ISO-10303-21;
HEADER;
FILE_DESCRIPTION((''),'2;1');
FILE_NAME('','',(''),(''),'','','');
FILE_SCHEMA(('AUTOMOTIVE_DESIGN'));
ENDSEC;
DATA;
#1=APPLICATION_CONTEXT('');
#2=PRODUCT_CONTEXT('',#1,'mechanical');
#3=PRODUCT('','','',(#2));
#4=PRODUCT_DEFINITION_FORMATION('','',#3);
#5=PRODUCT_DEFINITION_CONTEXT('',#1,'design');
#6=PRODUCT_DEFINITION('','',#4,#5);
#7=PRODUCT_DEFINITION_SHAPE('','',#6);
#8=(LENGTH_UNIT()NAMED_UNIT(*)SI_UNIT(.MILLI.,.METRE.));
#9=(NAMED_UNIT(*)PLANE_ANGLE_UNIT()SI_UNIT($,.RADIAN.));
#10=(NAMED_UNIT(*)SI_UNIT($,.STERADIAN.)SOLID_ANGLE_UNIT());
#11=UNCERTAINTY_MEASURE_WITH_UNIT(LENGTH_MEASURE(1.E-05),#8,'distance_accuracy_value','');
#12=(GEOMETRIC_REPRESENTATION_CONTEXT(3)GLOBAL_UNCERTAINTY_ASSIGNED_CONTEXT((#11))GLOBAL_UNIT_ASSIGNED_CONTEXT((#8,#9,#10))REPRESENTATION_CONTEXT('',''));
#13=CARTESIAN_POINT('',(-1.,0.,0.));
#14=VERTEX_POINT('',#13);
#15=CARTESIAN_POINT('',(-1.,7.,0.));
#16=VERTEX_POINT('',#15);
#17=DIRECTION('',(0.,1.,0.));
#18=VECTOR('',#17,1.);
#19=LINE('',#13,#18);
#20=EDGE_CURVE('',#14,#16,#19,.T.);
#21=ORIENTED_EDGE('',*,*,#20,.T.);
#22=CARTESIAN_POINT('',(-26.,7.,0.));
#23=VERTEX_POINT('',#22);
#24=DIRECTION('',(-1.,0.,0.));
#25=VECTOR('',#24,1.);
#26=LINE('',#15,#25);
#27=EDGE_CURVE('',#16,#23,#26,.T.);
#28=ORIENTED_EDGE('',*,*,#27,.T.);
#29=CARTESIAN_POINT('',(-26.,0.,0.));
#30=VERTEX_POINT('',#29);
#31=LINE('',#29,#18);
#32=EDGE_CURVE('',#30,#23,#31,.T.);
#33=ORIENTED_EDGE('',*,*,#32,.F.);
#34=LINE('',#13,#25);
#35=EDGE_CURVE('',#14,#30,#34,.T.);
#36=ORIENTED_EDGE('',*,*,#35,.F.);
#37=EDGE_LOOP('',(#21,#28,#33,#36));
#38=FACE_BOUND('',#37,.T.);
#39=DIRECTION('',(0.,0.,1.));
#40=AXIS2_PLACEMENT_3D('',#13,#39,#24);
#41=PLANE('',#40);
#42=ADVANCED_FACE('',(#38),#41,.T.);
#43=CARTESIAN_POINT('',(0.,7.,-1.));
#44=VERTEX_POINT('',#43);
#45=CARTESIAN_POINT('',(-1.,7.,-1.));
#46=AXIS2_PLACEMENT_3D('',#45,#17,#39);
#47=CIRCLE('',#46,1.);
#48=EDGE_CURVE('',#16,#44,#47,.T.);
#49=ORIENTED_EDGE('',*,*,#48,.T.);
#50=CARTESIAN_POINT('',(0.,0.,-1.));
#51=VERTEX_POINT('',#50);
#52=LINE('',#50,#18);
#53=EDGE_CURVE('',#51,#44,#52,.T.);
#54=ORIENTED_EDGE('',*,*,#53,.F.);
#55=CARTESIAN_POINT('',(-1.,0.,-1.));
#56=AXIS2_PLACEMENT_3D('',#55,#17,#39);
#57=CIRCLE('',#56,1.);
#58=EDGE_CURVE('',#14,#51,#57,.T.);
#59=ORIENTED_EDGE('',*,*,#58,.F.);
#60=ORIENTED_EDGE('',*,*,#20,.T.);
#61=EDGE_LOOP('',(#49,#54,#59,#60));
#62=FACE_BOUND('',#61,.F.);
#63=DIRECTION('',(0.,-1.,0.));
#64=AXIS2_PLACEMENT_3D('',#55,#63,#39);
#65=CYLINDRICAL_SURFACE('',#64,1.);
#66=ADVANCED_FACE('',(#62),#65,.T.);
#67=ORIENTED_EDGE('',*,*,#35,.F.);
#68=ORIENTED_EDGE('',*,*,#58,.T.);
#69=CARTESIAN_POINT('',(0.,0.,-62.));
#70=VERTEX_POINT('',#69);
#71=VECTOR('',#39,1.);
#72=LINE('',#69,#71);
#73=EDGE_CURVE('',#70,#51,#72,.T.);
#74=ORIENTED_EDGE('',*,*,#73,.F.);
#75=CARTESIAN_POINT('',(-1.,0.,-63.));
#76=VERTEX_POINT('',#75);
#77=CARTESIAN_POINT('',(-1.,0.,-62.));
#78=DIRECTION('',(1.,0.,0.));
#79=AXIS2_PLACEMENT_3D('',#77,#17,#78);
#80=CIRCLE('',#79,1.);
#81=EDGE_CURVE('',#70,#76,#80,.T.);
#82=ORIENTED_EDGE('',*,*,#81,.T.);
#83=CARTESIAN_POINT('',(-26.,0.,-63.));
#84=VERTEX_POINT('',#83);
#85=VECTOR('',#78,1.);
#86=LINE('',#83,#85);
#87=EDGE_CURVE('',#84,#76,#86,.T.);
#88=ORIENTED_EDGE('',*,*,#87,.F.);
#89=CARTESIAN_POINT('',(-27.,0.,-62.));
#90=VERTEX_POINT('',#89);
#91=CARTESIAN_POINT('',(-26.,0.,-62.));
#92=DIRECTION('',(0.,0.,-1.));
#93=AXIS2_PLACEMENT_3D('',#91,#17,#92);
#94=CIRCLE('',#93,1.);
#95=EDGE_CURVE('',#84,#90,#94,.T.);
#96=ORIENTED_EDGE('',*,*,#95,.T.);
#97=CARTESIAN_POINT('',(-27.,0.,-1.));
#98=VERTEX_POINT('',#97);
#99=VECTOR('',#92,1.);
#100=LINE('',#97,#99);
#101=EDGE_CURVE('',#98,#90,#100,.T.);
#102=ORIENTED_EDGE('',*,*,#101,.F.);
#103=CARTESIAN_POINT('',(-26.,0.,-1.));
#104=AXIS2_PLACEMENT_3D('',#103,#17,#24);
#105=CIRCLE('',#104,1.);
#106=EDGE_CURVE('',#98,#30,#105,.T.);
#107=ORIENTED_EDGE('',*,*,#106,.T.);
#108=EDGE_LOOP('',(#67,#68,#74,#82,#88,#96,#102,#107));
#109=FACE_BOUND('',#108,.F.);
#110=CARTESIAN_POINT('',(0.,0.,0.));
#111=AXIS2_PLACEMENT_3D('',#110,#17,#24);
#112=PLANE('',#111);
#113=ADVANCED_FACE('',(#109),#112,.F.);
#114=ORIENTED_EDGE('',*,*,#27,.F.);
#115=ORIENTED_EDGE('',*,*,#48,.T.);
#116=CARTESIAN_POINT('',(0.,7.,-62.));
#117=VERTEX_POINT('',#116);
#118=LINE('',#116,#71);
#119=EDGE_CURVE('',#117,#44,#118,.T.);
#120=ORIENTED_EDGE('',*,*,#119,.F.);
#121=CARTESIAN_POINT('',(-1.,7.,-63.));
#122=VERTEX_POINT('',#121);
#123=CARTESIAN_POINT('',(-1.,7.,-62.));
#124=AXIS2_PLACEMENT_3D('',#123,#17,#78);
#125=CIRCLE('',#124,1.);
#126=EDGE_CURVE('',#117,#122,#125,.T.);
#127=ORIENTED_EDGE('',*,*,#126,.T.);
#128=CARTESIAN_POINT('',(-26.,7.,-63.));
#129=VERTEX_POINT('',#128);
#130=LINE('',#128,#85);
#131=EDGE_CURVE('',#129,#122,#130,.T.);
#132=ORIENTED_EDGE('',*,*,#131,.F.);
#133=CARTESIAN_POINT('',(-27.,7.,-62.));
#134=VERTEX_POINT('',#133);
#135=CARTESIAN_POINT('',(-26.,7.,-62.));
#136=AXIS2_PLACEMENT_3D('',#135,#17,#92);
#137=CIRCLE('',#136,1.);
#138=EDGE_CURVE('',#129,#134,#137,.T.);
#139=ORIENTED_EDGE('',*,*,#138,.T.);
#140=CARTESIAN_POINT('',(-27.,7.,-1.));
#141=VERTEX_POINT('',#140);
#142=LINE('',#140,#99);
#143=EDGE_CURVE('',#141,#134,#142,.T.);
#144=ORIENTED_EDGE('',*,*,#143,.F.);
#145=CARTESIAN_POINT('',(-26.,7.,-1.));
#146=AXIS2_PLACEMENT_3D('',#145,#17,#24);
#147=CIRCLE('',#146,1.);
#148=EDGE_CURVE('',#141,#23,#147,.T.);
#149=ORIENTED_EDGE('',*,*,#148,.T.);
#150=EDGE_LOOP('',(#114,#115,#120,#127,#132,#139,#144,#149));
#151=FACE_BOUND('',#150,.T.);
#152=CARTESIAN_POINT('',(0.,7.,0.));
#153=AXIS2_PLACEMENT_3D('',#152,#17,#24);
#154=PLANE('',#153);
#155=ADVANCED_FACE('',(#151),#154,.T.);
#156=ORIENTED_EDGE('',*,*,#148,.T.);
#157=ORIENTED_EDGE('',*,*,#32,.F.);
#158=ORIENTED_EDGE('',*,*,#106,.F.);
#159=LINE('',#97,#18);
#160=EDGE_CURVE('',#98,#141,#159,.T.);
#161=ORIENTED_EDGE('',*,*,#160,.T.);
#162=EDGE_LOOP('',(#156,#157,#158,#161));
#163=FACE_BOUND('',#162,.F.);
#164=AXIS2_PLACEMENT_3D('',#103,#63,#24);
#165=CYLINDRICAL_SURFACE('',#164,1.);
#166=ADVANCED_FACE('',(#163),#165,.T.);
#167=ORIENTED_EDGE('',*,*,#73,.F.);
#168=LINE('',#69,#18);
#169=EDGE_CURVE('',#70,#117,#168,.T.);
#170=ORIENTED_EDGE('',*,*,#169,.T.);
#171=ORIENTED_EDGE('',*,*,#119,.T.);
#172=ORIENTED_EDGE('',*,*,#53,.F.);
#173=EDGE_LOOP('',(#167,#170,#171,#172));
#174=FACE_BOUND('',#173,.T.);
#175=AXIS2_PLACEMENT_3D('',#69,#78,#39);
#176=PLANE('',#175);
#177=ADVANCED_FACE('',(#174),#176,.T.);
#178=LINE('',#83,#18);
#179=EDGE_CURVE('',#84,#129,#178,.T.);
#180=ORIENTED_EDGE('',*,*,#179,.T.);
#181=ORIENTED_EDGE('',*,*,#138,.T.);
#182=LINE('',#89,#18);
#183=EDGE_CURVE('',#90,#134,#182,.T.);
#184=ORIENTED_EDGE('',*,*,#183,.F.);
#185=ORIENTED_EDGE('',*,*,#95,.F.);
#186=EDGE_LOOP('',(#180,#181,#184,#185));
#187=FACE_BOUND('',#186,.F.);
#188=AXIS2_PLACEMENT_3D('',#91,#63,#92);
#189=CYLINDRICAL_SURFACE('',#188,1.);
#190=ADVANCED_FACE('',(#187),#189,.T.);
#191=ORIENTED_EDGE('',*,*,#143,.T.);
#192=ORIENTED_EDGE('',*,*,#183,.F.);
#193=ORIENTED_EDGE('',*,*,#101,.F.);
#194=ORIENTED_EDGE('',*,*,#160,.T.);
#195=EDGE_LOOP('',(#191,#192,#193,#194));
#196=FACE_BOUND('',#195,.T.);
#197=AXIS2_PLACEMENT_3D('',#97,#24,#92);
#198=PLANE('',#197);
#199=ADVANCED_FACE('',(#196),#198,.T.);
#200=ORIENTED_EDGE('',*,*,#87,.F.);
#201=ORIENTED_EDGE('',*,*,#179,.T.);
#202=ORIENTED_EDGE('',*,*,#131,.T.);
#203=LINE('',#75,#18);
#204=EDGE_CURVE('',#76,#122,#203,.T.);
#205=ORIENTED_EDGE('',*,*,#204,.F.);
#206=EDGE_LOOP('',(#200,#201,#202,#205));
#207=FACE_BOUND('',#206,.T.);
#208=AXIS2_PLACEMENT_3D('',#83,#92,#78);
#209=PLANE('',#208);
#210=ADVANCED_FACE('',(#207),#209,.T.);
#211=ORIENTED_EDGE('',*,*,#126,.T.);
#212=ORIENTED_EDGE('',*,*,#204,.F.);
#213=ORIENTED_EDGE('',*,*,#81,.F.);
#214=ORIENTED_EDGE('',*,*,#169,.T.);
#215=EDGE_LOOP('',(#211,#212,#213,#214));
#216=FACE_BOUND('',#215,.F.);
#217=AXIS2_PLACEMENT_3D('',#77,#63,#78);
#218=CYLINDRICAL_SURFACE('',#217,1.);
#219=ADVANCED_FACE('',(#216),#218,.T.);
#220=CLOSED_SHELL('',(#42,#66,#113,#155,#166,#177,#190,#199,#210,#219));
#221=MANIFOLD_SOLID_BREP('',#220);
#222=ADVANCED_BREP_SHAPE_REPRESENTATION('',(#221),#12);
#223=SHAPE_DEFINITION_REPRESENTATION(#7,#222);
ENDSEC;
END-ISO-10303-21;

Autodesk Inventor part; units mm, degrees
ref_plane "YZ Plane" through (0, 0, 0) normal (1, 0, 0) x (0, 1, 0)
ref_plane "XZ Plane" through (0, 0, 0) normal (0, 1, 0) x (-1, 0, 0)
ref_plane "XY Plane" through (0, 0, 0) normal (0, 0, 1) x (1, 0, 0)
sketch "Boceto1" plane through (0, 0, 0) normal (0, 1, 0) x (-1, 0, 0)
  line L0 (1, 0) -> (26, 0)
  line L1 (27, -1) -> (27, -62)
  line L2 (26, -63) -> (1, -63)
  line L3 (0, -62) -> (0, -1)
  arc A0 (26, -63) -> (27, -62) centre (26, -62) ccw
  arc A1 (27, -1) -> (26, 0) centre (26, -1) ccw
  arc A2 (1, 0) -> (0, -1) centre (1, -1) ccw
  arc A3 (0, -62) -> (1, -63) centre (1, -62) ccw
  point P0 (0, 0)
  point P1 (27, -63)
  point P2 (27, 0)
  point P3 (0, -63)
  dimension "d0" = 63
  dimension "d1" = 27
  dimension "d2" = 1
extrude "Extrusión1" add sketch "Boceto1" along normal blind 7
sketch "Boceto2" plane through (0, 7, 0) normal (0, 1, 0) x (1, 0, 0)
  line L0 (-27, 62) -> (-27, 1) projected
  line L1 (-27, 62) -> (-27, 63.4862)
  line L2 (-25.9515, 63.0037) -> (-27.3185, 63.0037)
  line L3 (-27, 63.0037) -> (-22, 63)
  line L4 (-1, 63) -> (-26, 63) projected
  line L5 (-22, 63) -> (-22, 58)
  circle A0 centre (-22, 58) radius 1.5
  point P0 (0, 0)
  dimension "d5" = 5
  dimension "d7" = 5
  dimension "d8" = 3
sketch "Boceto3" plane through (0, 0, 0) normal (0, -1, 0) x (1, 0, 0)
  arc A0 (-27, -62) -> (-26, -63) centre (-26, -62) ccw projected
  line L0 (-26, -63) -> (-27.2127, -63)
  line L1 (-27, -62) -> (-27, -1) projected
  line L2 (-27, -61.713) -> (-27, -63.5495)
  line L3 (-27, -63) -> (-27, -58)
  line L4 (-27, -58) -> (-22, -58)
  circle A1 centre (-22, -58) radius 1.5
  point P0 (0, 0)
  dimension "d9" = 5
  dimension "d10" = 5
  dimension "d11" = 3
properties part number "Controlador 1"
